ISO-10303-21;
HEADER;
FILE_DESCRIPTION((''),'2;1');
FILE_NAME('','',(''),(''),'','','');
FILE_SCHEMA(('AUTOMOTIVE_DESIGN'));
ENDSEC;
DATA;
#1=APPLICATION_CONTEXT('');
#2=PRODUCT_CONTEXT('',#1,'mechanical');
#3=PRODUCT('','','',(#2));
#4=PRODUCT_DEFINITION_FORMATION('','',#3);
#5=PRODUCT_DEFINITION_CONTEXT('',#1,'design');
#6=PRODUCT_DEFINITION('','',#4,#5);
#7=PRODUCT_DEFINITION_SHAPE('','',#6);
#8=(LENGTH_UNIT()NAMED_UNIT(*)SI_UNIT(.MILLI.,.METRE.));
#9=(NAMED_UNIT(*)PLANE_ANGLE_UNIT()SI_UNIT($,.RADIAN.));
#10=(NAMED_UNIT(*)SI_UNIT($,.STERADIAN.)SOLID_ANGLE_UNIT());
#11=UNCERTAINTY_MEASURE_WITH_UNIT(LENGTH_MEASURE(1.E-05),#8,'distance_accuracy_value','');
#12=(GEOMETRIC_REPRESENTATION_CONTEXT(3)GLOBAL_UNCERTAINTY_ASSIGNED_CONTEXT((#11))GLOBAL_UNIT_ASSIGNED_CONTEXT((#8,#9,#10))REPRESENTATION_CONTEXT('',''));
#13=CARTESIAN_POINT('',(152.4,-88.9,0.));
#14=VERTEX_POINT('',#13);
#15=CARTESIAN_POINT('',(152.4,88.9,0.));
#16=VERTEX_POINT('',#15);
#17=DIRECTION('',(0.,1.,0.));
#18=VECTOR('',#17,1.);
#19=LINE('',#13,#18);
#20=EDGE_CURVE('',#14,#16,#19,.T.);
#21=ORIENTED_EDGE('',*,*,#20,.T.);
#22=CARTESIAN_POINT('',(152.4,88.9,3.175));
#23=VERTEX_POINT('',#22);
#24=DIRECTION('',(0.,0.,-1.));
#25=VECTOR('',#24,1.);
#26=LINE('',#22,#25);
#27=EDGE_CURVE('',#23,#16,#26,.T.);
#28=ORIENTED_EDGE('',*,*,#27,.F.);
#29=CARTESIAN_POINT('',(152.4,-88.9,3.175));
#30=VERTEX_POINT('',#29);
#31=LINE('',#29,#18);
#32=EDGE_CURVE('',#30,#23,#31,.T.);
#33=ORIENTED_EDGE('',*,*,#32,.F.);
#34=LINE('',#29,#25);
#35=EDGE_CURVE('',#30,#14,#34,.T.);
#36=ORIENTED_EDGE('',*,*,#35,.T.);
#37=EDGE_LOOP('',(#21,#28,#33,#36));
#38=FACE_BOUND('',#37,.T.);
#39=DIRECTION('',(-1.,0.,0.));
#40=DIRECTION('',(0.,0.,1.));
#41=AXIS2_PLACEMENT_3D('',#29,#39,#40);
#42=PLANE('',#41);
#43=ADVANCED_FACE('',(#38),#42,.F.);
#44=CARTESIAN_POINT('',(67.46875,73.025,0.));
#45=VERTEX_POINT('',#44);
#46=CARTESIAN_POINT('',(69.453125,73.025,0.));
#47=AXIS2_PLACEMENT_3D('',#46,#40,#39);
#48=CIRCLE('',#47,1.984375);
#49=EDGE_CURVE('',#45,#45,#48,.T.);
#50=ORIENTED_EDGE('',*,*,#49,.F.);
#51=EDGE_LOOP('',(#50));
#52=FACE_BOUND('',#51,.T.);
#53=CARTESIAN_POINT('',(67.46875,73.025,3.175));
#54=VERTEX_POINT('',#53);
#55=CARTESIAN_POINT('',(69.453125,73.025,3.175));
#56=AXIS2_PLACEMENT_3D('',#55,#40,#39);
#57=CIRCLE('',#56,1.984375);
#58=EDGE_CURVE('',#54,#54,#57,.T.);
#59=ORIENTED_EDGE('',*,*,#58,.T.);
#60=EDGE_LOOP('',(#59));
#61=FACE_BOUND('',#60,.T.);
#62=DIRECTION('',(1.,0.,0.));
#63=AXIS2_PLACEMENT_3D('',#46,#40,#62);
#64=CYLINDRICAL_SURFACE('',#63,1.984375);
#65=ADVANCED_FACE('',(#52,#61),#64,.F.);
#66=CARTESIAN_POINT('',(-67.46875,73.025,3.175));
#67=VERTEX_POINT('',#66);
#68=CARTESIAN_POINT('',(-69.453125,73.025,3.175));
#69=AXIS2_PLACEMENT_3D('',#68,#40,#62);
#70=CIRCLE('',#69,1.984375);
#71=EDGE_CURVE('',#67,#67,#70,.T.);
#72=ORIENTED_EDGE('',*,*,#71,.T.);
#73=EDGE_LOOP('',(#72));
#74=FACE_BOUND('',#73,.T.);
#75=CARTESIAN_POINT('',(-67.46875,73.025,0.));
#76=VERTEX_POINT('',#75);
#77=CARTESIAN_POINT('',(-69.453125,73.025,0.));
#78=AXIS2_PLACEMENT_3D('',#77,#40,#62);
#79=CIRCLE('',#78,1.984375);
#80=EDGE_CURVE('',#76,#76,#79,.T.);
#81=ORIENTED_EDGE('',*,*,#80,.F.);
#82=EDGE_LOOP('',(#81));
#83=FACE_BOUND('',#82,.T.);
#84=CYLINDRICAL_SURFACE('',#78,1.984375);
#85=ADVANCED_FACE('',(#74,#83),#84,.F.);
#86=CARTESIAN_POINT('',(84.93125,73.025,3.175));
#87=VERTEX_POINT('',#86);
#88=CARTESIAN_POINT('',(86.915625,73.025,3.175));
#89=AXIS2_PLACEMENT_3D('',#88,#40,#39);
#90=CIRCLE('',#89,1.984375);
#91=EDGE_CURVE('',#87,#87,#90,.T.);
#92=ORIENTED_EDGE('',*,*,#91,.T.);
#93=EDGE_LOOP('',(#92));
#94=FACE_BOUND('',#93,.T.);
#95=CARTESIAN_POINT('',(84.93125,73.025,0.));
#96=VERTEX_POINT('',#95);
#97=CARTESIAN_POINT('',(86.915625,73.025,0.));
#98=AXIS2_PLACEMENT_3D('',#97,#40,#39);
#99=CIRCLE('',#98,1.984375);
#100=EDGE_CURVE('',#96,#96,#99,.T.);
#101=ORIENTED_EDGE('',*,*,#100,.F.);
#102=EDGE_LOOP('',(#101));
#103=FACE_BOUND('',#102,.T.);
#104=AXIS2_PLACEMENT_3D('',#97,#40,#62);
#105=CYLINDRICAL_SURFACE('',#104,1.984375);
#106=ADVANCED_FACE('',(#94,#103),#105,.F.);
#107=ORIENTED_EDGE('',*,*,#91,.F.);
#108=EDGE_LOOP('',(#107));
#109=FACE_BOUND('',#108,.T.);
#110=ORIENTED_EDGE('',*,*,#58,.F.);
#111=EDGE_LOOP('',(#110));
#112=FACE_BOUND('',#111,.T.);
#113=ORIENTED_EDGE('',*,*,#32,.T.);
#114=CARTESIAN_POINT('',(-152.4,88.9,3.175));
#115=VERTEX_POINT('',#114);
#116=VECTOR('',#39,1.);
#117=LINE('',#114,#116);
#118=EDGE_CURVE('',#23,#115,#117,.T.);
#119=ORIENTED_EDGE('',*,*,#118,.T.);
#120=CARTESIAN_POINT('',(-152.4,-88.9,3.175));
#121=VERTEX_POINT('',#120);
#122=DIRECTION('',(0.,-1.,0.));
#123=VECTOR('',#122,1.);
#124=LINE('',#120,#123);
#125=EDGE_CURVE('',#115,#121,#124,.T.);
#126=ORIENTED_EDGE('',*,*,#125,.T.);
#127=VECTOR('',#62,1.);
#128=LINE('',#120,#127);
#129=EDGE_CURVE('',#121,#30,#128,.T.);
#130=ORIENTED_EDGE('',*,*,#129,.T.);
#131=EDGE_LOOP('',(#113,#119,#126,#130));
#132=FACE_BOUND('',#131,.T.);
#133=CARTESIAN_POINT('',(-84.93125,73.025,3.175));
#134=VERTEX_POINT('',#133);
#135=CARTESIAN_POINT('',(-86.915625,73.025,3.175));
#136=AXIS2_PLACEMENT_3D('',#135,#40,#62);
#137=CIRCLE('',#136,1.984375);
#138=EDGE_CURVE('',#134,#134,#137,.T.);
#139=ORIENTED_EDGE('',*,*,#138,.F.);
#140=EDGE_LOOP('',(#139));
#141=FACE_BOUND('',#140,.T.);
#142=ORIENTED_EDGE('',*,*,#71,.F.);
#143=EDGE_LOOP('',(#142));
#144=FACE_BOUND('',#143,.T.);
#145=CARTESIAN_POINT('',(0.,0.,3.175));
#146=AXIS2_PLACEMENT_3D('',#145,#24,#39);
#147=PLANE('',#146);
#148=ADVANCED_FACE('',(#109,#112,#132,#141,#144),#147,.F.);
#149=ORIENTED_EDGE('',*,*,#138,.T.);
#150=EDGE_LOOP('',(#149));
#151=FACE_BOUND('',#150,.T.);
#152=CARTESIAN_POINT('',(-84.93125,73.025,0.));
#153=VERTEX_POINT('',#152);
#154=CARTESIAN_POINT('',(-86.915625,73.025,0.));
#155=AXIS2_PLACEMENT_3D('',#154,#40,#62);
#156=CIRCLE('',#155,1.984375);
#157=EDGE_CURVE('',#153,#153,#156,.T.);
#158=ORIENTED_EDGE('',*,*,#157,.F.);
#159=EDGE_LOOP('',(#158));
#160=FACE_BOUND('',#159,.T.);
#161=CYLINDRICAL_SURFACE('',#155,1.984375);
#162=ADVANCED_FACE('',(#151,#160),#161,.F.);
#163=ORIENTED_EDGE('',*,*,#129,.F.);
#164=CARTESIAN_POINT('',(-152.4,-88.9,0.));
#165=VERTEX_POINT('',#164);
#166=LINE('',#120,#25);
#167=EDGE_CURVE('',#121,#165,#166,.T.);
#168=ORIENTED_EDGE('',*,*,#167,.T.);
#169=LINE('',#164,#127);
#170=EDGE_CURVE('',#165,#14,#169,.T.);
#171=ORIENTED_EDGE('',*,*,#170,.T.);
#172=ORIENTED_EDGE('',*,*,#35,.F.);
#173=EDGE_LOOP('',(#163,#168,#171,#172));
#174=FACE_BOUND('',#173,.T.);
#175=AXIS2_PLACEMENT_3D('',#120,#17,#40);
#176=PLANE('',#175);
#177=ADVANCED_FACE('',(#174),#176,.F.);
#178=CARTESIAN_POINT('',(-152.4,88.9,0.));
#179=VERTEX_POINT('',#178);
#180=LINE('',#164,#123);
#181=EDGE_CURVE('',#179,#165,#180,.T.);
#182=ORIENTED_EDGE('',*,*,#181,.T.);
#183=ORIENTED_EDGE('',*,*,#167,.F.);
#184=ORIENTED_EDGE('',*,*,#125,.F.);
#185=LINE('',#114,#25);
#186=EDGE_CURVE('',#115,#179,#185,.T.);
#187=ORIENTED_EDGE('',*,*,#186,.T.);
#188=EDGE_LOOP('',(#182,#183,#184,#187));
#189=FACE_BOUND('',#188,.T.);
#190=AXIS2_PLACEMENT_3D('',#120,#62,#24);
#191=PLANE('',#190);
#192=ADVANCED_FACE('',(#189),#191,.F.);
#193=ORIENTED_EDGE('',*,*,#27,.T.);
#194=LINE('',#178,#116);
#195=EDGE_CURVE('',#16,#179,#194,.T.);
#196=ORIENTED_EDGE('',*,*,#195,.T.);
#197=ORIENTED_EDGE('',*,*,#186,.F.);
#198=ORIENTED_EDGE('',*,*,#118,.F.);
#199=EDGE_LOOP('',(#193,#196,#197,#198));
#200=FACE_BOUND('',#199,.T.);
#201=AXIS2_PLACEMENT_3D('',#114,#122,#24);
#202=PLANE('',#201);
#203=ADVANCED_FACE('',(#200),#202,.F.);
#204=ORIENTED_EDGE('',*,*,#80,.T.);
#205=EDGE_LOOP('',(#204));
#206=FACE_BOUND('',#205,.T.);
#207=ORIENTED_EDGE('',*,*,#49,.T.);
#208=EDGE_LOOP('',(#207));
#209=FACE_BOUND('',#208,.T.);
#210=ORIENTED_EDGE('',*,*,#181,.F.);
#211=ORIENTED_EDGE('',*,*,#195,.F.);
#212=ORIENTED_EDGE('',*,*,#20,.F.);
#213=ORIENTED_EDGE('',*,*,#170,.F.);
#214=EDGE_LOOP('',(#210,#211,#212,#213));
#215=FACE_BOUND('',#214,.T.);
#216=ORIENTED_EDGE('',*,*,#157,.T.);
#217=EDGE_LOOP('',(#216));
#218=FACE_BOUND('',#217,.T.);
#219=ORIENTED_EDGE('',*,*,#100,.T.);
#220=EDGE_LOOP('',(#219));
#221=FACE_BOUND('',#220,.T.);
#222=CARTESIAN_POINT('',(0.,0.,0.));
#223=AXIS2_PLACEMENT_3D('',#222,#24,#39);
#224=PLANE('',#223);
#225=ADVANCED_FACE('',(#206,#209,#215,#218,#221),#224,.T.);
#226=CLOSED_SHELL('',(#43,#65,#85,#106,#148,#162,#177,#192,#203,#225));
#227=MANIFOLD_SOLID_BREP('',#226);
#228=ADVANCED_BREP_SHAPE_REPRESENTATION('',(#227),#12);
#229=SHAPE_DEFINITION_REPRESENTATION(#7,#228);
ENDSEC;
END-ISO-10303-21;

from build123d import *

# Parameters (mm, degrees)
SKETCH1_W           = 304.8
SKETCH1_H           = 177.8
BOSS_EXTRUDE1_DEPTH = 3.175
SKETCH2_R           = 1.984375
CUT_EXTRUDE1_DEPTH  = 4.175


with BuildPart() as part:
    # Sketch1 → Boss-Extrude1 (new body)
    with BuildSketch(Plane.XY):
        Rectangle(SKETCH1_W, SKETCH1_H)
    extrude(amount=BOSS_EXTRUDE1_DEPTH)

    # Sketch2 → Cut-Extrude1 (cut, through all)
    with BuildSketch(Plane.XY.offset(3.175)):
        with Locations((-86.915625, 73.025)):
            Circle(SKETCH2_R)
        with Locations((-69.453125, 73.025)):
            Circle(SKETCH2_R)
        with Locations((69.453125, 73.025)):
            Circle(SKETCH2_R)
        with Locations((86.915625, 73.025)):
            Circle(SKETCH2_R)
    extrude(amount=-CUT_EXTRUDE1_DEPTH, mode=Mode.SUBTRACT)


solid = part.part
